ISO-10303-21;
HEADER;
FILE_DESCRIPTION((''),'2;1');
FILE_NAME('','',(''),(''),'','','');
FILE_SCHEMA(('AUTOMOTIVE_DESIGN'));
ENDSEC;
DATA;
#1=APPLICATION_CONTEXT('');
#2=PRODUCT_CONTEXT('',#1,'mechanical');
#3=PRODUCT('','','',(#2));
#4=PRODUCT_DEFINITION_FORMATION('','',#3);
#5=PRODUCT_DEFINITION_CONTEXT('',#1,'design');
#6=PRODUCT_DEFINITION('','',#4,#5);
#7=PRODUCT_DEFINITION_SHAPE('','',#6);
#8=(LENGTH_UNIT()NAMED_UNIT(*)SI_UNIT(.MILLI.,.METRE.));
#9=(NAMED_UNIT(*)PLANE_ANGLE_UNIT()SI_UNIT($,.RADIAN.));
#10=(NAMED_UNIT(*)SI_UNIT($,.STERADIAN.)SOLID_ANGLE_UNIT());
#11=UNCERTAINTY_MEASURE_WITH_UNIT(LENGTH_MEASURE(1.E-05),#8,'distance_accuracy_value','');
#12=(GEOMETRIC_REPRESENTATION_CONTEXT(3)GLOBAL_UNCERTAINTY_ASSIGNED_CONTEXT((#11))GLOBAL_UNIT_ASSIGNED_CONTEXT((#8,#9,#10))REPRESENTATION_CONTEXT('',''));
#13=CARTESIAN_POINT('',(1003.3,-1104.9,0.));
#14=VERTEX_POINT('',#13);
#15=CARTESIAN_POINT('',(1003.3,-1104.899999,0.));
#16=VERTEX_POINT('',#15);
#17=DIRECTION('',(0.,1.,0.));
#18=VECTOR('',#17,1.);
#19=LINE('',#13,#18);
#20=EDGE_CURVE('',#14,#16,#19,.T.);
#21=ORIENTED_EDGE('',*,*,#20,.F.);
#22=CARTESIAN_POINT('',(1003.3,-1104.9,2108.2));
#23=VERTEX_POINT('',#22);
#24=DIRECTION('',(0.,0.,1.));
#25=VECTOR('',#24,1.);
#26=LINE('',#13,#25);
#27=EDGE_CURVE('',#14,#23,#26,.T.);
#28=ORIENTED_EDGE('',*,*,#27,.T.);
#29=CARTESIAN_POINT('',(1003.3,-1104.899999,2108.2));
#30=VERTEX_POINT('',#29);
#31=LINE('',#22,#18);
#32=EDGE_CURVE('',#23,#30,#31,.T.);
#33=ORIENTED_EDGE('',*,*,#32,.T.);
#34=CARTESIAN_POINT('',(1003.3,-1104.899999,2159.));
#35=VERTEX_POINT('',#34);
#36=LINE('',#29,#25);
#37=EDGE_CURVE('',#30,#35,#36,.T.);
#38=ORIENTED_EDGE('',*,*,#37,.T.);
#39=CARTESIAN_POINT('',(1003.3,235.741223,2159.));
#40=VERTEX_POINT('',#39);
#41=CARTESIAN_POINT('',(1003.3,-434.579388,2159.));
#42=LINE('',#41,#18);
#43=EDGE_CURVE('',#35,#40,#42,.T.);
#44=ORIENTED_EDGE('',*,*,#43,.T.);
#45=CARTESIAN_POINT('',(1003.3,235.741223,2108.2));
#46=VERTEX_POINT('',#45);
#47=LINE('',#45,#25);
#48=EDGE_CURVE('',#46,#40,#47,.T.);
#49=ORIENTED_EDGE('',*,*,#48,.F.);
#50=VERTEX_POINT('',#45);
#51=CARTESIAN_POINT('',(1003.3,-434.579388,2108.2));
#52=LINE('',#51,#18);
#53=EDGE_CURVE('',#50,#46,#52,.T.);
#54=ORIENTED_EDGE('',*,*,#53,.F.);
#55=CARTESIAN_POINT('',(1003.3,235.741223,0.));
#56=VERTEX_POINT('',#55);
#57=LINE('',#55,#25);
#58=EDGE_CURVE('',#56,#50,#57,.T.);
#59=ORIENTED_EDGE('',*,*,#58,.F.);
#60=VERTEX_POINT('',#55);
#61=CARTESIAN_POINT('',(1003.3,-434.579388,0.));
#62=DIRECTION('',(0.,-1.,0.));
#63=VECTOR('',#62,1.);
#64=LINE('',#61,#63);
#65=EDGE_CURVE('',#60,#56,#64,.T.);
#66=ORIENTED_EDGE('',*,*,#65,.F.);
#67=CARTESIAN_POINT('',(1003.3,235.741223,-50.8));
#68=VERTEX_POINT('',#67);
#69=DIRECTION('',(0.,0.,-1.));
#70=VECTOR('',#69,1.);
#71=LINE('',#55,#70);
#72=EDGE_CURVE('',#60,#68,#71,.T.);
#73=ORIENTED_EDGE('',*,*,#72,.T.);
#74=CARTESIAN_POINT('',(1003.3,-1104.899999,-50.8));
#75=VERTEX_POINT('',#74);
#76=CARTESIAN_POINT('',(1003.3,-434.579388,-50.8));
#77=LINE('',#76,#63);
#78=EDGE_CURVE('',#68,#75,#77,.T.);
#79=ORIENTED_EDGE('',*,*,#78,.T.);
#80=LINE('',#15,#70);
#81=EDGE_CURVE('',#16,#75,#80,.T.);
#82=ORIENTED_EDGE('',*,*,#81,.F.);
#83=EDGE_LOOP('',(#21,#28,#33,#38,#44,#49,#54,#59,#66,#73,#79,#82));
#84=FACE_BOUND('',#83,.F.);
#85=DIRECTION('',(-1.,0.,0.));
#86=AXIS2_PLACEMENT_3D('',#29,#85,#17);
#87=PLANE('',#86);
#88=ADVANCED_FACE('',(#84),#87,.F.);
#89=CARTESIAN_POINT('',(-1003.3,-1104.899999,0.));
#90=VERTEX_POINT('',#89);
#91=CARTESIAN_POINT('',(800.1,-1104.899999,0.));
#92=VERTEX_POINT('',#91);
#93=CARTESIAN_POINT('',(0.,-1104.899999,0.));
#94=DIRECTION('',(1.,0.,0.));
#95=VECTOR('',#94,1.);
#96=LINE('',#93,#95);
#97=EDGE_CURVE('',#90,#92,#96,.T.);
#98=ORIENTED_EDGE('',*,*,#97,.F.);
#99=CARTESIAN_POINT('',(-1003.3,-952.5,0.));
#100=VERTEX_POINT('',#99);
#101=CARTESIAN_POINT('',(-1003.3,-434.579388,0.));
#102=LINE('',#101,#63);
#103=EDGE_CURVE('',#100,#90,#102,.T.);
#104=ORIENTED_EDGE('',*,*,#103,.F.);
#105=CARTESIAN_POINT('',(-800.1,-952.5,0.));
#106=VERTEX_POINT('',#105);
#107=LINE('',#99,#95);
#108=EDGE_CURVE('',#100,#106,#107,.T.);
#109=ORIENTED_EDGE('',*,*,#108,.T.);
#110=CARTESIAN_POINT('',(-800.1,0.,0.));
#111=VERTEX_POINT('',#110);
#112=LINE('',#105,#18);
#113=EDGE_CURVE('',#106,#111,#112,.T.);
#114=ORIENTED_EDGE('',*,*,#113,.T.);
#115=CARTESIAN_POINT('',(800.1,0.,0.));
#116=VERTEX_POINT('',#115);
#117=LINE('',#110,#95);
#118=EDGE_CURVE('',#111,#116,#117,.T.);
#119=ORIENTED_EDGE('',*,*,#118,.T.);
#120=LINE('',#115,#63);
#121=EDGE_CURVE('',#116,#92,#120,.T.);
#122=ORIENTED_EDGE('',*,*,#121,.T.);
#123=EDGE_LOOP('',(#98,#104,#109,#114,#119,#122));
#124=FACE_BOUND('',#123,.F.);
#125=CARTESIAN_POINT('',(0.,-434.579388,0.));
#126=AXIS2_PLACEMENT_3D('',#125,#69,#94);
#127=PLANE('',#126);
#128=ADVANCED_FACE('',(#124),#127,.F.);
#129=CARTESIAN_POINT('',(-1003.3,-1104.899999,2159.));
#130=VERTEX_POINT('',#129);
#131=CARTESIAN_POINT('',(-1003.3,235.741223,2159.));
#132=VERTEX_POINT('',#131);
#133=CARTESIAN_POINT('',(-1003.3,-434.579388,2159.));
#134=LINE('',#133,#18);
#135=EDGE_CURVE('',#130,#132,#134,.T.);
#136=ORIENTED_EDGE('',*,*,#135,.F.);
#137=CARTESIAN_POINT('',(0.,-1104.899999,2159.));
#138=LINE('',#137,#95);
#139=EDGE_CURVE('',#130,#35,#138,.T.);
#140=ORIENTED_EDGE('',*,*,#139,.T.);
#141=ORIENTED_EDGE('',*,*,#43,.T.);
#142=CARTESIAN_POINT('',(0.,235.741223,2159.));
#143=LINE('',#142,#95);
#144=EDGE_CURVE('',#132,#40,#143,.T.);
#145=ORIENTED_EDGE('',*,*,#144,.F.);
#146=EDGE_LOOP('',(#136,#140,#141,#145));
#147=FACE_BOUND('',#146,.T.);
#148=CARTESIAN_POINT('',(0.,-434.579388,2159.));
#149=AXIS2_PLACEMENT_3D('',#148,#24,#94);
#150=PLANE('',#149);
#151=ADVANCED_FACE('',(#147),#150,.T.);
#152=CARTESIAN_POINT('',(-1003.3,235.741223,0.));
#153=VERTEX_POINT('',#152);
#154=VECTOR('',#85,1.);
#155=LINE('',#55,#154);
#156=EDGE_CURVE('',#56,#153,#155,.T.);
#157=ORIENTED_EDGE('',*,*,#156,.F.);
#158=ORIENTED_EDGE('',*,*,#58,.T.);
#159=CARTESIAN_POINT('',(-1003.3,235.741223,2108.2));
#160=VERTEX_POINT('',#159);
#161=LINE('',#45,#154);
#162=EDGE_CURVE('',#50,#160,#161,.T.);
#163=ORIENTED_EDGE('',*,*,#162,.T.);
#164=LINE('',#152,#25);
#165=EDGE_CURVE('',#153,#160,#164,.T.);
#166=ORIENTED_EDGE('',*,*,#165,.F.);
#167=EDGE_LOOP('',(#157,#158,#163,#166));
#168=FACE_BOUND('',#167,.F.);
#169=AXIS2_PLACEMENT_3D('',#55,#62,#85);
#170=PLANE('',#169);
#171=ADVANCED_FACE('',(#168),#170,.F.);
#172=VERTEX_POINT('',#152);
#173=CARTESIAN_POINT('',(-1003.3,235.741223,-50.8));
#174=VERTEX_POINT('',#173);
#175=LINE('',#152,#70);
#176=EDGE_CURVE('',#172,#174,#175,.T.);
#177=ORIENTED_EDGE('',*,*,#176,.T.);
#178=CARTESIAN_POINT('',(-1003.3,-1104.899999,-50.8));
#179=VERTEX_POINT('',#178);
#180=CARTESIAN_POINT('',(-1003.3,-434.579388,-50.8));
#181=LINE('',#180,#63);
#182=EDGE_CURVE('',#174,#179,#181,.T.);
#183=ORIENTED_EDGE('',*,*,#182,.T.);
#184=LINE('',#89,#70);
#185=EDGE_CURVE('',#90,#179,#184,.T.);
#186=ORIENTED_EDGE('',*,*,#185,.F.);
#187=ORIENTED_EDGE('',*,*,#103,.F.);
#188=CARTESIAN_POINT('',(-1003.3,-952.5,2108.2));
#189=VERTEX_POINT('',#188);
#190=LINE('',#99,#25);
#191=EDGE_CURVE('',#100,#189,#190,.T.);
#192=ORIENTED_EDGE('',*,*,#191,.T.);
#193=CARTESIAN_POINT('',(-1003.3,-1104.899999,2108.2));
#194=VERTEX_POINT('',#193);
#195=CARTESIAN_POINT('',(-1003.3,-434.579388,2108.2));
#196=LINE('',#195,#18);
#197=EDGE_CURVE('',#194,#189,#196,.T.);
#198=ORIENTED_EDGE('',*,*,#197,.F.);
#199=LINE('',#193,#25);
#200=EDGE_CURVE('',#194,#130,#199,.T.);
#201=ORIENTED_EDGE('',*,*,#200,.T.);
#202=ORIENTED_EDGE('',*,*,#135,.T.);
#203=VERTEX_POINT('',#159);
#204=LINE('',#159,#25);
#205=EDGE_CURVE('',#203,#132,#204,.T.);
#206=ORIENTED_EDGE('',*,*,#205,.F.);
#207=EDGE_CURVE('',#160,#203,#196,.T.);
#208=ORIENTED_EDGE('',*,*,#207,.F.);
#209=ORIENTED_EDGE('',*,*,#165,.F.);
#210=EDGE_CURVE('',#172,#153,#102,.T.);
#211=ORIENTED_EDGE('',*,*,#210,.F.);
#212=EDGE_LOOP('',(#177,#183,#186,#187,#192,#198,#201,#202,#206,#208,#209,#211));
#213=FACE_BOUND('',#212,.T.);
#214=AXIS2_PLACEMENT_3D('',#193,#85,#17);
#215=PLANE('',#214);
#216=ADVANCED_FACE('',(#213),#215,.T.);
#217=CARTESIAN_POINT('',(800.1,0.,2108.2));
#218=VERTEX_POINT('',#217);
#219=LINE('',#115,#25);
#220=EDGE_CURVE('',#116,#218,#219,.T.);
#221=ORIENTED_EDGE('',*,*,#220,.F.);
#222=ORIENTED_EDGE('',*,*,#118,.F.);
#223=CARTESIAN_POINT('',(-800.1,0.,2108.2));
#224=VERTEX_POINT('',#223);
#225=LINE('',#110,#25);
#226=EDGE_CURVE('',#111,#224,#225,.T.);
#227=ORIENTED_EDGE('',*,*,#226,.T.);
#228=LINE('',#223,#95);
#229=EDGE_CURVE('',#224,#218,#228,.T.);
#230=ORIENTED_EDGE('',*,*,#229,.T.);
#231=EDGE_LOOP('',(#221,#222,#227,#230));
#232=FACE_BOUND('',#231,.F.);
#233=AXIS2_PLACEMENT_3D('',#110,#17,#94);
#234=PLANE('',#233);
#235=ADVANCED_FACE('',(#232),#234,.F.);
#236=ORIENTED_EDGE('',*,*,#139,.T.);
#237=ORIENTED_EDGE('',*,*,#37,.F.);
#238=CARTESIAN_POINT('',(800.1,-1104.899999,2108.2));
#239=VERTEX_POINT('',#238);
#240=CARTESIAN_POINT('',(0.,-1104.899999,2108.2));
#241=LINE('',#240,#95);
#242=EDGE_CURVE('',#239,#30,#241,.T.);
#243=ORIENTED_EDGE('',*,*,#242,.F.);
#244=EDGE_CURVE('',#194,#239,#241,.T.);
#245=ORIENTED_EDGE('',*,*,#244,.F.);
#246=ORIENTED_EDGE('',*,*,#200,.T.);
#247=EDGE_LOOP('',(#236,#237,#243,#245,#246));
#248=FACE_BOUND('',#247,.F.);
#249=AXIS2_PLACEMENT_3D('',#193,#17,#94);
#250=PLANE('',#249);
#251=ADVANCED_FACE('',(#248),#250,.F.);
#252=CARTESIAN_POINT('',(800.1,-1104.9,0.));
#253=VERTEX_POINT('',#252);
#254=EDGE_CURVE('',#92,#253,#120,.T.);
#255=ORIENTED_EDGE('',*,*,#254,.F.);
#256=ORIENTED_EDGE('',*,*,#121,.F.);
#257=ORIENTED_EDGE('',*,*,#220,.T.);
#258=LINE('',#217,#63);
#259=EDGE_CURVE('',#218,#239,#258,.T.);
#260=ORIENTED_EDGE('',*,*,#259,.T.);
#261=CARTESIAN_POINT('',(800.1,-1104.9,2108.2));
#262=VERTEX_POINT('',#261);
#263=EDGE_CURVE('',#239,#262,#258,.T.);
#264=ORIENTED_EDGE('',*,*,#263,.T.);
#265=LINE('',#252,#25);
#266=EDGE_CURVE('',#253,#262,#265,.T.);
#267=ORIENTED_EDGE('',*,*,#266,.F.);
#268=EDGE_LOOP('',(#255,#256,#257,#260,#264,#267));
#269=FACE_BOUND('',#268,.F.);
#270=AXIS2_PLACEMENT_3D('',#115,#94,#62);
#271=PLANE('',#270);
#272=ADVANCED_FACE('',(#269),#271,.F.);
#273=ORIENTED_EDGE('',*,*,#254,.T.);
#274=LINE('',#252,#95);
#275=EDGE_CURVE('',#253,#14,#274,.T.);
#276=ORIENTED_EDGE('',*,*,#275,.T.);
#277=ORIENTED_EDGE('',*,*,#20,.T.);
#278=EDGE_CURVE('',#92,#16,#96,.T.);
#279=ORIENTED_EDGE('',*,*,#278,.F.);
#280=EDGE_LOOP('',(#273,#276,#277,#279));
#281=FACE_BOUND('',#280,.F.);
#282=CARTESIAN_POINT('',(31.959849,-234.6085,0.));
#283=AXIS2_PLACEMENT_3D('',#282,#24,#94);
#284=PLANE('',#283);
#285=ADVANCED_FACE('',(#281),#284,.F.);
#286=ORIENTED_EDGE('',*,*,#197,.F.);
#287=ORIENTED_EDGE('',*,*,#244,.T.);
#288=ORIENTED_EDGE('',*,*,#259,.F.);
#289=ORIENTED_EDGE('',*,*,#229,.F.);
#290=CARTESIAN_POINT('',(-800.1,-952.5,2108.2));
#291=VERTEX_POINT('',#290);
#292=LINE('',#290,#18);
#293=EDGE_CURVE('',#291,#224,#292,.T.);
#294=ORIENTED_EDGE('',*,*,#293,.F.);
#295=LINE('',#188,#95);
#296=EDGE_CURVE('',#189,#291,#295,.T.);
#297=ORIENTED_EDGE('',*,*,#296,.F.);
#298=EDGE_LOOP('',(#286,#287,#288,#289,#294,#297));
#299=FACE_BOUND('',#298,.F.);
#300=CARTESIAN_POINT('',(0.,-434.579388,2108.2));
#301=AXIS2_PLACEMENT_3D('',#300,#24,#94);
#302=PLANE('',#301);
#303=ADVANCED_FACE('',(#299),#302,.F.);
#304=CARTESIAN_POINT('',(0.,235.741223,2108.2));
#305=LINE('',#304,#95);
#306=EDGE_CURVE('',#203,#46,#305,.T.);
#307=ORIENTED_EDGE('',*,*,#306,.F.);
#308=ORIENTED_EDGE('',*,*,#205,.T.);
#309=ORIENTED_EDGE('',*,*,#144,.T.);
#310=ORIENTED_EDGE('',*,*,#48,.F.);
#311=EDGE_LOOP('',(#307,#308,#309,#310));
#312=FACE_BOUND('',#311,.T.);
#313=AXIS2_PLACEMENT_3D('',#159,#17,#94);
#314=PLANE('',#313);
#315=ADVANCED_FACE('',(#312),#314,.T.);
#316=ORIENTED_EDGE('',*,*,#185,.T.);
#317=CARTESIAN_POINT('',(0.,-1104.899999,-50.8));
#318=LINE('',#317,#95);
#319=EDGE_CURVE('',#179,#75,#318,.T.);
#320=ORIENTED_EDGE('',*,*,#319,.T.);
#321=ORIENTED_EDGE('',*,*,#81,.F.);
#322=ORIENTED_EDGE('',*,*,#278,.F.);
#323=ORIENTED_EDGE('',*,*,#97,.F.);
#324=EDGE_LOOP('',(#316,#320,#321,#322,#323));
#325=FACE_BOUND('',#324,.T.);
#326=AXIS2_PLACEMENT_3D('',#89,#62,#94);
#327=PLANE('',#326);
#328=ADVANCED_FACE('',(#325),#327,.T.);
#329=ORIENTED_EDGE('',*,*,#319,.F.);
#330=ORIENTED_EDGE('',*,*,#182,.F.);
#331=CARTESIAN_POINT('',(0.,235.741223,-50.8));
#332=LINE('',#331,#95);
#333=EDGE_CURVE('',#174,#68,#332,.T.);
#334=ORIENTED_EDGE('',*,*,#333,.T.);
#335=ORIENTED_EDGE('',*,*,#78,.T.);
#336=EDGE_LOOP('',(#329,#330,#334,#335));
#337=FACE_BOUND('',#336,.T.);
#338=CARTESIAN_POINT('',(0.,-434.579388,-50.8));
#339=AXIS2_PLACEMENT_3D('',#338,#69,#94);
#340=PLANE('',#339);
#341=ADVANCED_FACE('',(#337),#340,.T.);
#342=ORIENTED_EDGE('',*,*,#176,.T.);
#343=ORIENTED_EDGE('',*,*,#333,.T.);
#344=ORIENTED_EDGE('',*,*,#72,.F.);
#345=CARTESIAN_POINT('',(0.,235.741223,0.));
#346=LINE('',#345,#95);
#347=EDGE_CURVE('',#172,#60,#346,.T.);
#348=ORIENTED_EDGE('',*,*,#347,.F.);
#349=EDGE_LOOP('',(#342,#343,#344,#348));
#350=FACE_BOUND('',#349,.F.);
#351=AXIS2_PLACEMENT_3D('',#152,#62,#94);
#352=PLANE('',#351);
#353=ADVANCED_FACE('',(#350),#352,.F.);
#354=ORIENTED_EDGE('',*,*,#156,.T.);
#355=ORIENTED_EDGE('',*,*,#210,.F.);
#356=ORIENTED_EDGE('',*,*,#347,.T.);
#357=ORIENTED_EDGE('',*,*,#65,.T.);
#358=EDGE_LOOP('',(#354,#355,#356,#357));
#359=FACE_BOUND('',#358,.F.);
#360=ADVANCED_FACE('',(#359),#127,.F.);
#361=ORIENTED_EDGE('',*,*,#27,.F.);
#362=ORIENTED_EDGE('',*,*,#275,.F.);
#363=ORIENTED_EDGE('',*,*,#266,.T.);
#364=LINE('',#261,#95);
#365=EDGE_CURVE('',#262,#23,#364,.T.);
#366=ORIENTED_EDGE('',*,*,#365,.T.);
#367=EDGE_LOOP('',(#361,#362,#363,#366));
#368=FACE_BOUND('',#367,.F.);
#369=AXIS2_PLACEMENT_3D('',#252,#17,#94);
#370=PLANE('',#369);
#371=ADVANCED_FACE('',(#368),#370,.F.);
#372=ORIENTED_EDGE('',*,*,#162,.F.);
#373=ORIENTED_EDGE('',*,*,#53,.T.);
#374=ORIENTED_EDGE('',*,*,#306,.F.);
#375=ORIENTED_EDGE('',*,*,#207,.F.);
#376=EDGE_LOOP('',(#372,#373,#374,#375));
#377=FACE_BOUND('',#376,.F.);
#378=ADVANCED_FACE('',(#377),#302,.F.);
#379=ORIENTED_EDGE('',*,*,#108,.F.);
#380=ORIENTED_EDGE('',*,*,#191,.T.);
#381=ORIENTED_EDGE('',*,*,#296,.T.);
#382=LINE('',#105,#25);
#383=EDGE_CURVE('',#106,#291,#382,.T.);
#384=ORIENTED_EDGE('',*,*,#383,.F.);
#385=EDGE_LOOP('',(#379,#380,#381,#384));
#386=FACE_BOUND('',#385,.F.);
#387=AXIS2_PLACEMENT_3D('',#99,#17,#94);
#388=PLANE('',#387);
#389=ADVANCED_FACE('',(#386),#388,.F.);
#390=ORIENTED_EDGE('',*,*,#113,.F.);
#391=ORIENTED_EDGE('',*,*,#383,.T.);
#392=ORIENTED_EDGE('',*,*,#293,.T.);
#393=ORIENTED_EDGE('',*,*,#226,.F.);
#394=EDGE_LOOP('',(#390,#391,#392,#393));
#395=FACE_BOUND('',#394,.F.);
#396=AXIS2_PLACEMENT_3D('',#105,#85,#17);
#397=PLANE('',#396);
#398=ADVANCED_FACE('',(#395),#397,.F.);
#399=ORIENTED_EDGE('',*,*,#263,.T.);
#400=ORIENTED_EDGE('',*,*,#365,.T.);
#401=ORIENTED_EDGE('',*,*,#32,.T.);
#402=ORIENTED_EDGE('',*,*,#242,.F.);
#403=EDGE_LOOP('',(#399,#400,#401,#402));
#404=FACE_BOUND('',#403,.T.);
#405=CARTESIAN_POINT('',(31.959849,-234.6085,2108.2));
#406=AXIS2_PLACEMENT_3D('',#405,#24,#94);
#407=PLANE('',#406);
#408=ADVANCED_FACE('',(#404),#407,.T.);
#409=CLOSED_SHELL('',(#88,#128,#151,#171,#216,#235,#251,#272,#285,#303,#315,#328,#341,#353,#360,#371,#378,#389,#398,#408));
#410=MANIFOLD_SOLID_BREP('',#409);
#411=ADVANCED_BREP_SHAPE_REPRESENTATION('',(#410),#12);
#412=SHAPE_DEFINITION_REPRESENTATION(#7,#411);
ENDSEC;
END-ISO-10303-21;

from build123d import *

# Parameters (mm, degrees)
F1_DEPTH = 2108.2
F2_W     = 2006.6
F2_H     = 1340.641223
F3_DEPTH = 50.8
F4_W     = 2006.6
F4_H     = 1340.641223
F5_DEPTH = 50.8


with BuildPart() as f1:
    # F0 (on Top) → F1 (new body)
    with BuildSketch(Plane.XY):
        Polygon((-800.1, -952.5), (-800.1, 0), (800.1, 0), (800.1, -1104.9), (1003.3, -1104.9), (1003.3, 235.741223), (-1003.3, 235.741223), (-1003.3, -952.5), align=None)
    extrude(amount=F1_DEPTH)

    # F2 (on face) → F3 (join)
    with BuildSketch(Plane(origin=(0, 0, 0), x_dir=(1, 0, 0), z_dir=(0, 0, -1))):
        with Locations((0, 434.579388)):
            Rectangle(F2_W, F2_H)
    extrude(amount=F3_DEPTH)

    # F4 (on face) → F5 (join)
    with BuildSketch(Plane.XY.offset(2108.2)):
        with Locations((0, -434.579388)):
            Rectangle(F4_W, F4_H)
    extrude(amount=F5_DEPTH)


solid = f1.part
